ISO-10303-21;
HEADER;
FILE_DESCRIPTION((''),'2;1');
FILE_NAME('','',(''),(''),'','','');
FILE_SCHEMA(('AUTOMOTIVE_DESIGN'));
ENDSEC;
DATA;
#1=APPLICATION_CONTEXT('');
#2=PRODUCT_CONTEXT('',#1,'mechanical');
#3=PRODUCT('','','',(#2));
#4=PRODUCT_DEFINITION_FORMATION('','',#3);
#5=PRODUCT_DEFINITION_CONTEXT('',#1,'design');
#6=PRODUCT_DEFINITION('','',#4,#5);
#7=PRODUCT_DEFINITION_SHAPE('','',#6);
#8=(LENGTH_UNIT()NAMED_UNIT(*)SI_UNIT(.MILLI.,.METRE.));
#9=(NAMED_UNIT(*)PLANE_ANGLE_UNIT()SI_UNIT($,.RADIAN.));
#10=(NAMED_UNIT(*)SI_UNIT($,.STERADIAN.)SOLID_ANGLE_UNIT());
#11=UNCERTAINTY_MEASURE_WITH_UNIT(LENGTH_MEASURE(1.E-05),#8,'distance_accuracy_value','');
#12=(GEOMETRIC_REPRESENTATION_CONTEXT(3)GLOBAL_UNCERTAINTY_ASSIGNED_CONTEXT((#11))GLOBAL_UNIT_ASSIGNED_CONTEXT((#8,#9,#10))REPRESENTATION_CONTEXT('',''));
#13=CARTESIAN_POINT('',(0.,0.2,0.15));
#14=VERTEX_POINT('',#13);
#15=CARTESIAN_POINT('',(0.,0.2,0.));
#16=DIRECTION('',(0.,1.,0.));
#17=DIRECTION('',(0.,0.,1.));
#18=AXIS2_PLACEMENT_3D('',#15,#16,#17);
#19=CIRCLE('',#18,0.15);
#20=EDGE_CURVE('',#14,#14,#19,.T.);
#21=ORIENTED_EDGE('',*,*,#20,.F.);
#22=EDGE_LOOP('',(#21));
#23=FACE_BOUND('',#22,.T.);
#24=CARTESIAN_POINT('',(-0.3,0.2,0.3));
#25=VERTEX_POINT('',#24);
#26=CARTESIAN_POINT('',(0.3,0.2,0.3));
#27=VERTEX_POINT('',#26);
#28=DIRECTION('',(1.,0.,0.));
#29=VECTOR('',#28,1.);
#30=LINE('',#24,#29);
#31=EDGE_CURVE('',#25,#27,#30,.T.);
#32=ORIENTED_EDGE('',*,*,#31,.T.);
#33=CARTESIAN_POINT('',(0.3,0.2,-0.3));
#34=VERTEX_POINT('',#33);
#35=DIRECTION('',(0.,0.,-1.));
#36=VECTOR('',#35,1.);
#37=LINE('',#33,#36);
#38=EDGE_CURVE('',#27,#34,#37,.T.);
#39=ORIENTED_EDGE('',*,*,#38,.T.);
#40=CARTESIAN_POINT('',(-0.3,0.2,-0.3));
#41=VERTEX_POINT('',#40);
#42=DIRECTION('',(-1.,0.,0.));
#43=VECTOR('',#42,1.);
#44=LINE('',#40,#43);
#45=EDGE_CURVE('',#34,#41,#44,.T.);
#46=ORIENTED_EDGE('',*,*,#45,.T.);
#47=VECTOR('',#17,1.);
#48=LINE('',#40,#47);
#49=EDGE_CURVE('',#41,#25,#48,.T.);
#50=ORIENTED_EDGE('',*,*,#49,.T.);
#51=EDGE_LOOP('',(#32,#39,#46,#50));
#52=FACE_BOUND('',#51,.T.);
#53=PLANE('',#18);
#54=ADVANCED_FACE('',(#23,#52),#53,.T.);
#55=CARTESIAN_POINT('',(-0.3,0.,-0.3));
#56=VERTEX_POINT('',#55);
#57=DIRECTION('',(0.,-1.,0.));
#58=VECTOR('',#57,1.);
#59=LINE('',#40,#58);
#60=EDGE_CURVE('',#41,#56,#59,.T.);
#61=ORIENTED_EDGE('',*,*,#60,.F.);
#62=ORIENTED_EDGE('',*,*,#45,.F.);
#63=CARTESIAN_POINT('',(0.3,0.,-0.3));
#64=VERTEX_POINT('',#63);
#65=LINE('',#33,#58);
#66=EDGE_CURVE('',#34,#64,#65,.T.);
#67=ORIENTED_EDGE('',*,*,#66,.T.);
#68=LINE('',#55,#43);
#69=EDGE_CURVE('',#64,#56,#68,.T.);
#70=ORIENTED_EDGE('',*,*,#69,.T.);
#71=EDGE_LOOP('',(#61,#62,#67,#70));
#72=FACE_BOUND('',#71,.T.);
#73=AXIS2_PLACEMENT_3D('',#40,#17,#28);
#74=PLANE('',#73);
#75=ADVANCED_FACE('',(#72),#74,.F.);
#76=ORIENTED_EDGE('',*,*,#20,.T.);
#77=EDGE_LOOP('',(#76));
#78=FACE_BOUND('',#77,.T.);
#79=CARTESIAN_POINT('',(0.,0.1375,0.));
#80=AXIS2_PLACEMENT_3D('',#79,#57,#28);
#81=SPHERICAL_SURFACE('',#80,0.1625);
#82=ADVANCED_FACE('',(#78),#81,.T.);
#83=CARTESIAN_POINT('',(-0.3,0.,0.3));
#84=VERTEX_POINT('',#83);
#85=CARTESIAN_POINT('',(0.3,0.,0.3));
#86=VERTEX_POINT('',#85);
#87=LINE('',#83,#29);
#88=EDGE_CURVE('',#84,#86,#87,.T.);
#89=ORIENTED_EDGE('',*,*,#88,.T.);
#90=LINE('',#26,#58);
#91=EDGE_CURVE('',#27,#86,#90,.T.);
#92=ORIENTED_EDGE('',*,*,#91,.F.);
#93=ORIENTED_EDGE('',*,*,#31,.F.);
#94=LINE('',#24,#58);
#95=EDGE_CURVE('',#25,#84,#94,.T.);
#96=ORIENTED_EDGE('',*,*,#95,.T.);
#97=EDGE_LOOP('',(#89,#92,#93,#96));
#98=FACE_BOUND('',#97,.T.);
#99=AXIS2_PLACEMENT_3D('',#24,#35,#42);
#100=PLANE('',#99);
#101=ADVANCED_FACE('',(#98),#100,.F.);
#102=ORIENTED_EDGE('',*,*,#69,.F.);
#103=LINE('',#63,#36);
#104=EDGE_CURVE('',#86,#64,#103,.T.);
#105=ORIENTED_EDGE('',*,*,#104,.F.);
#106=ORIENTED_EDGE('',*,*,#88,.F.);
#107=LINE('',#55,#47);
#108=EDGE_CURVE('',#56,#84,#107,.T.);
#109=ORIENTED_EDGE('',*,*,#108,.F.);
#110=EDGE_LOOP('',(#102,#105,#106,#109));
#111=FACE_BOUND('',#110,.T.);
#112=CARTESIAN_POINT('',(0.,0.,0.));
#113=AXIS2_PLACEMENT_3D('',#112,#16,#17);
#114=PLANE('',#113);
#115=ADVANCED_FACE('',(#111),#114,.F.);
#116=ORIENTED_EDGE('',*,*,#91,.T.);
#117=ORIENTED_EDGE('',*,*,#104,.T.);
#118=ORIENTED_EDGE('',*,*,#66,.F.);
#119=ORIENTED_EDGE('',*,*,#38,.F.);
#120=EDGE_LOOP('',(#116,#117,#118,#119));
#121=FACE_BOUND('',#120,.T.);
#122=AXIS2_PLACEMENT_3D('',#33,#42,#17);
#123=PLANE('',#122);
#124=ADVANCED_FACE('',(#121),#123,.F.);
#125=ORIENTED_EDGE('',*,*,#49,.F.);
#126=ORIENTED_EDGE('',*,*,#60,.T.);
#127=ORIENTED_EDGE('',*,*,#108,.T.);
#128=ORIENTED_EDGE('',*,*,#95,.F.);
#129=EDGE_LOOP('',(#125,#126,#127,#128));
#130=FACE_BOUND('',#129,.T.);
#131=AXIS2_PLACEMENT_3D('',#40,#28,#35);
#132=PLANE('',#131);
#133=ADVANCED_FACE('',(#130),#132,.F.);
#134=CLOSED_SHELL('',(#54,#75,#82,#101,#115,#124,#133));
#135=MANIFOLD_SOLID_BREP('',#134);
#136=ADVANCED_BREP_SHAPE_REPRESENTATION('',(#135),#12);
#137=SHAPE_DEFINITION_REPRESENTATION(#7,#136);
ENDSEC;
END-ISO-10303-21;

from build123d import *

# Parameters (mm, degrees)
SKETCH1_W           = 0.6
SKETCH1_H           = 0.6
BOSS_EXTRUDE1_DEPTH = 0.2


with BuildPart() as part:
    # Sketch1 → Boss-Extrude1 (new body)
    with BuildSketch(Plane(origin=(0, 0, 0), x_dir=(1, 0, 0), z_dir=(0, 1, 0))):
        Rectangle(SKETCH1_W, SKETCH1_H)
    extrude(amount=BOSS_EXTRUDE1_DEPTH)

    # Sketch2 → Revolve1 (revolve)
    with BuildSketch(Plane.XY):
        with BuildLine():
            Line((0, 0.2), (0.15, 0.2))
            ThreePointArc((0.15, 0.2), (0.090138782, 0.272708173), (0, 0.3))
            Line((0, 0.3), (0, 0.2))
        make_face()
    revolve(axis=Axis((0, 0.2, 0), (0, 1, 0)))


solid = part.part
